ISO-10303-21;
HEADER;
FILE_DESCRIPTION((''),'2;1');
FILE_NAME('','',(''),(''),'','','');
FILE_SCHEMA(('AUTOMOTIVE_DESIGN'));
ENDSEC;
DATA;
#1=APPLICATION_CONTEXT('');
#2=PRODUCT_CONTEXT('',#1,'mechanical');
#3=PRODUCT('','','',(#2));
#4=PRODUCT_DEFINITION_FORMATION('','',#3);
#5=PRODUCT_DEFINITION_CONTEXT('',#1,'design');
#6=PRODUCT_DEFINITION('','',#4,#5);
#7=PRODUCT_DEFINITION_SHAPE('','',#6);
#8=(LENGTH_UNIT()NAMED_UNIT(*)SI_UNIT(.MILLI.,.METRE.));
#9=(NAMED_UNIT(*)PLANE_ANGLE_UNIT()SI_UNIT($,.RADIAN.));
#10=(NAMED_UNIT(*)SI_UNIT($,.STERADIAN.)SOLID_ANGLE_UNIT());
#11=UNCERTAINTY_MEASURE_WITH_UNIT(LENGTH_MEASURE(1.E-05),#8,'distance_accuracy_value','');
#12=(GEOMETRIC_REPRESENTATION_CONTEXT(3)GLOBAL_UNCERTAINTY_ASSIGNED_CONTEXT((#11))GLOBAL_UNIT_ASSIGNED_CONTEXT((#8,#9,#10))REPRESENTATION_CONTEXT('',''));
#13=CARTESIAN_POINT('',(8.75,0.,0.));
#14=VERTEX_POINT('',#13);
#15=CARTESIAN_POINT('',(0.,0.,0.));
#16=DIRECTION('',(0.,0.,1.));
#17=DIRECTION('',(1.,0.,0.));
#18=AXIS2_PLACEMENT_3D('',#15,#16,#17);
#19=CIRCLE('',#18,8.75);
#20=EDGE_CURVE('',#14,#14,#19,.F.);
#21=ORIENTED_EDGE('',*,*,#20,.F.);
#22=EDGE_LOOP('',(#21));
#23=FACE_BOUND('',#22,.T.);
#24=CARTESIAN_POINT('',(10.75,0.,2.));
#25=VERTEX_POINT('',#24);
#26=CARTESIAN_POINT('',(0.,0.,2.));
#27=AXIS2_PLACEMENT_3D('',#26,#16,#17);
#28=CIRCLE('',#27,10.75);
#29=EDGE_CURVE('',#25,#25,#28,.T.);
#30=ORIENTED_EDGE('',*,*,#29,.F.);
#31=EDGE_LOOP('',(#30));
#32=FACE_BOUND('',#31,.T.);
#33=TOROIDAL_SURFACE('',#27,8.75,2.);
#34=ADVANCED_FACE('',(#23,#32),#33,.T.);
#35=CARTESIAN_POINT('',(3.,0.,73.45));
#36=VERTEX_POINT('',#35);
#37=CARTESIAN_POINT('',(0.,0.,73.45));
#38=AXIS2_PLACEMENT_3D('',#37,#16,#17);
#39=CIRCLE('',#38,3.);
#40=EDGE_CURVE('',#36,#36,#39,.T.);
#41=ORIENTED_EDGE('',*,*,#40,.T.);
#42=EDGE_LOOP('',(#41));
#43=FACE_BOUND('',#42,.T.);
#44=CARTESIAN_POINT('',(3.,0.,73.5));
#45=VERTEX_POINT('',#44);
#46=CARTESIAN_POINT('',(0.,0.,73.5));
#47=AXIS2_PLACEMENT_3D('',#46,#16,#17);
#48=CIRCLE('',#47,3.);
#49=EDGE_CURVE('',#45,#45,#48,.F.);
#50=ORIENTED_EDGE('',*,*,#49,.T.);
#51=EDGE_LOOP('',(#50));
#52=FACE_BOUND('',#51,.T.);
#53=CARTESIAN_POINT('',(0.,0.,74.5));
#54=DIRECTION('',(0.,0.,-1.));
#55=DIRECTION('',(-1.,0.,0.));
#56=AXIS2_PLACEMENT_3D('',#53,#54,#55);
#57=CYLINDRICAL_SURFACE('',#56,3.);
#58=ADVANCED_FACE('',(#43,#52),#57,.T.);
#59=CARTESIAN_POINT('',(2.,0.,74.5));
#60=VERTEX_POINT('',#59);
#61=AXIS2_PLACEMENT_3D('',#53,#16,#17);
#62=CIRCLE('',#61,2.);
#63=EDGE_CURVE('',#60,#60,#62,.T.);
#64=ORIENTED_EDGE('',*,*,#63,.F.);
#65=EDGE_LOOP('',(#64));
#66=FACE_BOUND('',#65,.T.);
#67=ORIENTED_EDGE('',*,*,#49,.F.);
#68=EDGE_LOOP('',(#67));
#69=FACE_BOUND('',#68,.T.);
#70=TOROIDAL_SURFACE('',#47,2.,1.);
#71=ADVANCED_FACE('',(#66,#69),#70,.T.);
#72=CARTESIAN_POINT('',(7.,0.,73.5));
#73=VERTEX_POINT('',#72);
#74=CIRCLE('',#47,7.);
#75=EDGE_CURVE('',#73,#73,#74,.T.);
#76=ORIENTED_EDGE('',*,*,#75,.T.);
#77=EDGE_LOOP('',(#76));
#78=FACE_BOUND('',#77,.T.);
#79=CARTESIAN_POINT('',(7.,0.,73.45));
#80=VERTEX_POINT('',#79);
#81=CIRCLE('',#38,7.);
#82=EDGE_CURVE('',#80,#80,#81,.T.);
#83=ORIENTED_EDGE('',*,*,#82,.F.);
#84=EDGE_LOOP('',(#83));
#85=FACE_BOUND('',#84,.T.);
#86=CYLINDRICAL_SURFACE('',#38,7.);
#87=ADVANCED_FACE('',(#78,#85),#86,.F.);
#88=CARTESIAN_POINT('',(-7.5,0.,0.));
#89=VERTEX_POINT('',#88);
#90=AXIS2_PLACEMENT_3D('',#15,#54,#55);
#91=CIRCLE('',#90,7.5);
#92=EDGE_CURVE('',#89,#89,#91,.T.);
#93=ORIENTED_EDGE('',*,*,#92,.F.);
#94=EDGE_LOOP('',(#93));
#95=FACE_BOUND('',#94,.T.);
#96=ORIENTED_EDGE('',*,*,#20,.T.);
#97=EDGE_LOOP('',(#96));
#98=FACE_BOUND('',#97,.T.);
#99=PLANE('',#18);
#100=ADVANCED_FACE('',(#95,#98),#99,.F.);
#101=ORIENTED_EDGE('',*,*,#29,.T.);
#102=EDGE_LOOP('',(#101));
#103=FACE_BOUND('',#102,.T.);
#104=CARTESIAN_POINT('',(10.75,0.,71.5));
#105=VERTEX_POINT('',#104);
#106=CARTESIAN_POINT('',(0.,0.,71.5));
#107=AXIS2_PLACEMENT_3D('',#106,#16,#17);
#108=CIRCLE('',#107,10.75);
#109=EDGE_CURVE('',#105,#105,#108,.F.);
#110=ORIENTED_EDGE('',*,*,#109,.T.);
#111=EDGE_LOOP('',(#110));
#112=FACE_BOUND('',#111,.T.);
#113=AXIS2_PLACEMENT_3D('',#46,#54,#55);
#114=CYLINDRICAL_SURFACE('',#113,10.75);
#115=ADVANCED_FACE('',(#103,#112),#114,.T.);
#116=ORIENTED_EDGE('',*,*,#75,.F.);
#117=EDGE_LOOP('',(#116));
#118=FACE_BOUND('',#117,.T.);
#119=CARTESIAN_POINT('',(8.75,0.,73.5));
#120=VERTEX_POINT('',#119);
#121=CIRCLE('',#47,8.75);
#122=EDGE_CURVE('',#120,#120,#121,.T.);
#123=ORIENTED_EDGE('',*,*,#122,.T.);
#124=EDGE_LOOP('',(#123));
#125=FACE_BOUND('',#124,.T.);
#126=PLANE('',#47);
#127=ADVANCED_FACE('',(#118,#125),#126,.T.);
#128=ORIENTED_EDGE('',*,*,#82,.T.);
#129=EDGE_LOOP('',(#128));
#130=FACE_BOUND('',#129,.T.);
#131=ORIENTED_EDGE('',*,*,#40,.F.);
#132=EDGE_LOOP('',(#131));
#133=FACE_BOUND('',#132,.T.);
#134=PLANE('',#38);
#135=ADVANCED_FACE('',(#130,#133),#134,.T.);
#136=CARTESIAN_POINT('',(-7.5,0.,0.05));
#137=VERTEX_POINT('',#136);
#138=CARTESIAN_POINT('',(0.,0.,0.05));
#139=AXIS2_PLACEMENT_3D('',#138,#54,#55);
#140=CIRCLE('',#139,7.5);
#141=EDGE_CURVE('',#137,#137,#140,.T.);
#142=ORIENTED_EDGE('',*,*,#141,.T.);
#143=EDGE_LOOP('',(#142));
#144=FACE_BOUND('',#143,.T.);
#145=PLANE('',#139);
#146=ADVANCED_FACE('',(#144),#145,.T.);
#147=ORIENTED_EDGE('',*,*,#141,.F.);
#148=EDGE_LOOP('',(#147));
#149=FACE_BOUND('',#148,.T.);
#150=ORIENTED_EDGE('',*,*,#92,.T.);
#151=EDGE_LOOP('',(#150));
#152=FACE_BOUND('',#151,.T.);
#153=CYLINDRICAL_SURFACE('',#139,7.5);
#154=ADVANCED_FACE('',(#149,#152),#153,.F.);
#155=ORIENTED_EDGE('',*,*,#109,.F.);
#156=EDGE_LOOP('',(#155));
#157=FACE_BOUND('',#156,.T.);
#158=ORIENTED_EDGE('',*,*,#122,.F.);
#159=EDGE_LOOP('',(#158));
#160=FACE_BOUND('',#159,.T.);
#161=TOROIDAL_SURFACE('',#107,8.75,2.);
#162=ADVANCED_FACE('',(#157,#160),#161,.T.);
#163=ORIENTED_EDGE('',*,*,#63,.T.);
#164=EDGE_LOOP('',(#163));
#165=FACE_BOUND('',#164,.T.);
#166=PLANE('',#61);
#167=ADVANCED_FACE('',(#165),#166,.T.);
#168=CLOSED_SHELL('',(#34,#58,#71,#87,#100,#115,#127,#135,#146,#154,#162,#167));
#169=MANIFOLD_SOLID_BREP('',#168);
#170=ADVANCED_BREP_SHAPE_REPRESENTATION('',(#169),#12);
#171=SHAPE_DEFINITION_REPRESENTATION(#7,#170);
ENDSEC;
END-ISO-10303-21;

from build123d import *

# Parameters (mm, degrees)
SKETCH1_R           = 10.75
BOSS_EXTRUDE1_DEPTH = 73.5
SKETCH2_R           = 3
BOSS_EXTRUDE2_DEPTH = 1
CUT_EXTRUDE1_START  = -0.05
SKETCH2_3_R         = 7
SKETCH2_3_R_2       = 3
CUT_EXTRUDE1_DEPTH  = 0.05
SKETCH3_R           = 7.5
CUT_EXTRUDE2_DEPTH  = 0.05
FILLET1_R           = 2
FILLET2_R           = 1


with BuildPart() as part:
    # Sketch1 → Boss-Extrude1 (new body)
    with BuildSketch(Plane.XY):
        Circle(SKETCH1_R)
    extrude(amount=BOSS_EXTRUDE1_DEPTH)

    # Sketch2 → Boss-Extrude2 (add)
    with BuildSketch(Plane.XY.offset(73.5)):
        Circle(SKETCH2_R)
    extrude(amount=BOSS_EXTRUDE2_DEPTH)

    # Sketch2<3> → Cut-Extrude1 (cut)
    with BuildSketch(Plane.XY.offset(73.5).offset(CUT_EXTRUDE1_START)):
        Circle(SKETCH2_3_R)
        Circle(SKETCH2_3_R_2, mode=Mode.SUBTRACT)
    extrude(amount=CUT_EXTRUDE1_DEPTH, mode=Mode.SUBTRACT)

    # Sketch3 → Cut-Extrude2 (cut)
    with BuildSketch(Plane(origin=(0, 0, 0), x_dir=(-1, 0, 0), z_dir=(0, 0, -1))):
        Circle(SKETCH3_R)
    extrude(amount=-CUT_EXTRUDE2_DEPTH, mode=Mode.SUBTRACT)

    # Fillet1
    fillet1_edges = [part.edges().sort_by_distance(p)[0] for p in [
        (-10.75, 0, 0),
        (-10.75, 0, 73.5),
    ]]
    fillet(fillet1_edges, radius=FILLET1_R)

    # Fillet2
    fillet2_edges = [part.edges().sort_by_distance(p)[0] for p in [
        (-3, 0, 74.5),
    ]]
    fillet(fillet2_edges, radius=FILLET2_R)


solid = part.part
